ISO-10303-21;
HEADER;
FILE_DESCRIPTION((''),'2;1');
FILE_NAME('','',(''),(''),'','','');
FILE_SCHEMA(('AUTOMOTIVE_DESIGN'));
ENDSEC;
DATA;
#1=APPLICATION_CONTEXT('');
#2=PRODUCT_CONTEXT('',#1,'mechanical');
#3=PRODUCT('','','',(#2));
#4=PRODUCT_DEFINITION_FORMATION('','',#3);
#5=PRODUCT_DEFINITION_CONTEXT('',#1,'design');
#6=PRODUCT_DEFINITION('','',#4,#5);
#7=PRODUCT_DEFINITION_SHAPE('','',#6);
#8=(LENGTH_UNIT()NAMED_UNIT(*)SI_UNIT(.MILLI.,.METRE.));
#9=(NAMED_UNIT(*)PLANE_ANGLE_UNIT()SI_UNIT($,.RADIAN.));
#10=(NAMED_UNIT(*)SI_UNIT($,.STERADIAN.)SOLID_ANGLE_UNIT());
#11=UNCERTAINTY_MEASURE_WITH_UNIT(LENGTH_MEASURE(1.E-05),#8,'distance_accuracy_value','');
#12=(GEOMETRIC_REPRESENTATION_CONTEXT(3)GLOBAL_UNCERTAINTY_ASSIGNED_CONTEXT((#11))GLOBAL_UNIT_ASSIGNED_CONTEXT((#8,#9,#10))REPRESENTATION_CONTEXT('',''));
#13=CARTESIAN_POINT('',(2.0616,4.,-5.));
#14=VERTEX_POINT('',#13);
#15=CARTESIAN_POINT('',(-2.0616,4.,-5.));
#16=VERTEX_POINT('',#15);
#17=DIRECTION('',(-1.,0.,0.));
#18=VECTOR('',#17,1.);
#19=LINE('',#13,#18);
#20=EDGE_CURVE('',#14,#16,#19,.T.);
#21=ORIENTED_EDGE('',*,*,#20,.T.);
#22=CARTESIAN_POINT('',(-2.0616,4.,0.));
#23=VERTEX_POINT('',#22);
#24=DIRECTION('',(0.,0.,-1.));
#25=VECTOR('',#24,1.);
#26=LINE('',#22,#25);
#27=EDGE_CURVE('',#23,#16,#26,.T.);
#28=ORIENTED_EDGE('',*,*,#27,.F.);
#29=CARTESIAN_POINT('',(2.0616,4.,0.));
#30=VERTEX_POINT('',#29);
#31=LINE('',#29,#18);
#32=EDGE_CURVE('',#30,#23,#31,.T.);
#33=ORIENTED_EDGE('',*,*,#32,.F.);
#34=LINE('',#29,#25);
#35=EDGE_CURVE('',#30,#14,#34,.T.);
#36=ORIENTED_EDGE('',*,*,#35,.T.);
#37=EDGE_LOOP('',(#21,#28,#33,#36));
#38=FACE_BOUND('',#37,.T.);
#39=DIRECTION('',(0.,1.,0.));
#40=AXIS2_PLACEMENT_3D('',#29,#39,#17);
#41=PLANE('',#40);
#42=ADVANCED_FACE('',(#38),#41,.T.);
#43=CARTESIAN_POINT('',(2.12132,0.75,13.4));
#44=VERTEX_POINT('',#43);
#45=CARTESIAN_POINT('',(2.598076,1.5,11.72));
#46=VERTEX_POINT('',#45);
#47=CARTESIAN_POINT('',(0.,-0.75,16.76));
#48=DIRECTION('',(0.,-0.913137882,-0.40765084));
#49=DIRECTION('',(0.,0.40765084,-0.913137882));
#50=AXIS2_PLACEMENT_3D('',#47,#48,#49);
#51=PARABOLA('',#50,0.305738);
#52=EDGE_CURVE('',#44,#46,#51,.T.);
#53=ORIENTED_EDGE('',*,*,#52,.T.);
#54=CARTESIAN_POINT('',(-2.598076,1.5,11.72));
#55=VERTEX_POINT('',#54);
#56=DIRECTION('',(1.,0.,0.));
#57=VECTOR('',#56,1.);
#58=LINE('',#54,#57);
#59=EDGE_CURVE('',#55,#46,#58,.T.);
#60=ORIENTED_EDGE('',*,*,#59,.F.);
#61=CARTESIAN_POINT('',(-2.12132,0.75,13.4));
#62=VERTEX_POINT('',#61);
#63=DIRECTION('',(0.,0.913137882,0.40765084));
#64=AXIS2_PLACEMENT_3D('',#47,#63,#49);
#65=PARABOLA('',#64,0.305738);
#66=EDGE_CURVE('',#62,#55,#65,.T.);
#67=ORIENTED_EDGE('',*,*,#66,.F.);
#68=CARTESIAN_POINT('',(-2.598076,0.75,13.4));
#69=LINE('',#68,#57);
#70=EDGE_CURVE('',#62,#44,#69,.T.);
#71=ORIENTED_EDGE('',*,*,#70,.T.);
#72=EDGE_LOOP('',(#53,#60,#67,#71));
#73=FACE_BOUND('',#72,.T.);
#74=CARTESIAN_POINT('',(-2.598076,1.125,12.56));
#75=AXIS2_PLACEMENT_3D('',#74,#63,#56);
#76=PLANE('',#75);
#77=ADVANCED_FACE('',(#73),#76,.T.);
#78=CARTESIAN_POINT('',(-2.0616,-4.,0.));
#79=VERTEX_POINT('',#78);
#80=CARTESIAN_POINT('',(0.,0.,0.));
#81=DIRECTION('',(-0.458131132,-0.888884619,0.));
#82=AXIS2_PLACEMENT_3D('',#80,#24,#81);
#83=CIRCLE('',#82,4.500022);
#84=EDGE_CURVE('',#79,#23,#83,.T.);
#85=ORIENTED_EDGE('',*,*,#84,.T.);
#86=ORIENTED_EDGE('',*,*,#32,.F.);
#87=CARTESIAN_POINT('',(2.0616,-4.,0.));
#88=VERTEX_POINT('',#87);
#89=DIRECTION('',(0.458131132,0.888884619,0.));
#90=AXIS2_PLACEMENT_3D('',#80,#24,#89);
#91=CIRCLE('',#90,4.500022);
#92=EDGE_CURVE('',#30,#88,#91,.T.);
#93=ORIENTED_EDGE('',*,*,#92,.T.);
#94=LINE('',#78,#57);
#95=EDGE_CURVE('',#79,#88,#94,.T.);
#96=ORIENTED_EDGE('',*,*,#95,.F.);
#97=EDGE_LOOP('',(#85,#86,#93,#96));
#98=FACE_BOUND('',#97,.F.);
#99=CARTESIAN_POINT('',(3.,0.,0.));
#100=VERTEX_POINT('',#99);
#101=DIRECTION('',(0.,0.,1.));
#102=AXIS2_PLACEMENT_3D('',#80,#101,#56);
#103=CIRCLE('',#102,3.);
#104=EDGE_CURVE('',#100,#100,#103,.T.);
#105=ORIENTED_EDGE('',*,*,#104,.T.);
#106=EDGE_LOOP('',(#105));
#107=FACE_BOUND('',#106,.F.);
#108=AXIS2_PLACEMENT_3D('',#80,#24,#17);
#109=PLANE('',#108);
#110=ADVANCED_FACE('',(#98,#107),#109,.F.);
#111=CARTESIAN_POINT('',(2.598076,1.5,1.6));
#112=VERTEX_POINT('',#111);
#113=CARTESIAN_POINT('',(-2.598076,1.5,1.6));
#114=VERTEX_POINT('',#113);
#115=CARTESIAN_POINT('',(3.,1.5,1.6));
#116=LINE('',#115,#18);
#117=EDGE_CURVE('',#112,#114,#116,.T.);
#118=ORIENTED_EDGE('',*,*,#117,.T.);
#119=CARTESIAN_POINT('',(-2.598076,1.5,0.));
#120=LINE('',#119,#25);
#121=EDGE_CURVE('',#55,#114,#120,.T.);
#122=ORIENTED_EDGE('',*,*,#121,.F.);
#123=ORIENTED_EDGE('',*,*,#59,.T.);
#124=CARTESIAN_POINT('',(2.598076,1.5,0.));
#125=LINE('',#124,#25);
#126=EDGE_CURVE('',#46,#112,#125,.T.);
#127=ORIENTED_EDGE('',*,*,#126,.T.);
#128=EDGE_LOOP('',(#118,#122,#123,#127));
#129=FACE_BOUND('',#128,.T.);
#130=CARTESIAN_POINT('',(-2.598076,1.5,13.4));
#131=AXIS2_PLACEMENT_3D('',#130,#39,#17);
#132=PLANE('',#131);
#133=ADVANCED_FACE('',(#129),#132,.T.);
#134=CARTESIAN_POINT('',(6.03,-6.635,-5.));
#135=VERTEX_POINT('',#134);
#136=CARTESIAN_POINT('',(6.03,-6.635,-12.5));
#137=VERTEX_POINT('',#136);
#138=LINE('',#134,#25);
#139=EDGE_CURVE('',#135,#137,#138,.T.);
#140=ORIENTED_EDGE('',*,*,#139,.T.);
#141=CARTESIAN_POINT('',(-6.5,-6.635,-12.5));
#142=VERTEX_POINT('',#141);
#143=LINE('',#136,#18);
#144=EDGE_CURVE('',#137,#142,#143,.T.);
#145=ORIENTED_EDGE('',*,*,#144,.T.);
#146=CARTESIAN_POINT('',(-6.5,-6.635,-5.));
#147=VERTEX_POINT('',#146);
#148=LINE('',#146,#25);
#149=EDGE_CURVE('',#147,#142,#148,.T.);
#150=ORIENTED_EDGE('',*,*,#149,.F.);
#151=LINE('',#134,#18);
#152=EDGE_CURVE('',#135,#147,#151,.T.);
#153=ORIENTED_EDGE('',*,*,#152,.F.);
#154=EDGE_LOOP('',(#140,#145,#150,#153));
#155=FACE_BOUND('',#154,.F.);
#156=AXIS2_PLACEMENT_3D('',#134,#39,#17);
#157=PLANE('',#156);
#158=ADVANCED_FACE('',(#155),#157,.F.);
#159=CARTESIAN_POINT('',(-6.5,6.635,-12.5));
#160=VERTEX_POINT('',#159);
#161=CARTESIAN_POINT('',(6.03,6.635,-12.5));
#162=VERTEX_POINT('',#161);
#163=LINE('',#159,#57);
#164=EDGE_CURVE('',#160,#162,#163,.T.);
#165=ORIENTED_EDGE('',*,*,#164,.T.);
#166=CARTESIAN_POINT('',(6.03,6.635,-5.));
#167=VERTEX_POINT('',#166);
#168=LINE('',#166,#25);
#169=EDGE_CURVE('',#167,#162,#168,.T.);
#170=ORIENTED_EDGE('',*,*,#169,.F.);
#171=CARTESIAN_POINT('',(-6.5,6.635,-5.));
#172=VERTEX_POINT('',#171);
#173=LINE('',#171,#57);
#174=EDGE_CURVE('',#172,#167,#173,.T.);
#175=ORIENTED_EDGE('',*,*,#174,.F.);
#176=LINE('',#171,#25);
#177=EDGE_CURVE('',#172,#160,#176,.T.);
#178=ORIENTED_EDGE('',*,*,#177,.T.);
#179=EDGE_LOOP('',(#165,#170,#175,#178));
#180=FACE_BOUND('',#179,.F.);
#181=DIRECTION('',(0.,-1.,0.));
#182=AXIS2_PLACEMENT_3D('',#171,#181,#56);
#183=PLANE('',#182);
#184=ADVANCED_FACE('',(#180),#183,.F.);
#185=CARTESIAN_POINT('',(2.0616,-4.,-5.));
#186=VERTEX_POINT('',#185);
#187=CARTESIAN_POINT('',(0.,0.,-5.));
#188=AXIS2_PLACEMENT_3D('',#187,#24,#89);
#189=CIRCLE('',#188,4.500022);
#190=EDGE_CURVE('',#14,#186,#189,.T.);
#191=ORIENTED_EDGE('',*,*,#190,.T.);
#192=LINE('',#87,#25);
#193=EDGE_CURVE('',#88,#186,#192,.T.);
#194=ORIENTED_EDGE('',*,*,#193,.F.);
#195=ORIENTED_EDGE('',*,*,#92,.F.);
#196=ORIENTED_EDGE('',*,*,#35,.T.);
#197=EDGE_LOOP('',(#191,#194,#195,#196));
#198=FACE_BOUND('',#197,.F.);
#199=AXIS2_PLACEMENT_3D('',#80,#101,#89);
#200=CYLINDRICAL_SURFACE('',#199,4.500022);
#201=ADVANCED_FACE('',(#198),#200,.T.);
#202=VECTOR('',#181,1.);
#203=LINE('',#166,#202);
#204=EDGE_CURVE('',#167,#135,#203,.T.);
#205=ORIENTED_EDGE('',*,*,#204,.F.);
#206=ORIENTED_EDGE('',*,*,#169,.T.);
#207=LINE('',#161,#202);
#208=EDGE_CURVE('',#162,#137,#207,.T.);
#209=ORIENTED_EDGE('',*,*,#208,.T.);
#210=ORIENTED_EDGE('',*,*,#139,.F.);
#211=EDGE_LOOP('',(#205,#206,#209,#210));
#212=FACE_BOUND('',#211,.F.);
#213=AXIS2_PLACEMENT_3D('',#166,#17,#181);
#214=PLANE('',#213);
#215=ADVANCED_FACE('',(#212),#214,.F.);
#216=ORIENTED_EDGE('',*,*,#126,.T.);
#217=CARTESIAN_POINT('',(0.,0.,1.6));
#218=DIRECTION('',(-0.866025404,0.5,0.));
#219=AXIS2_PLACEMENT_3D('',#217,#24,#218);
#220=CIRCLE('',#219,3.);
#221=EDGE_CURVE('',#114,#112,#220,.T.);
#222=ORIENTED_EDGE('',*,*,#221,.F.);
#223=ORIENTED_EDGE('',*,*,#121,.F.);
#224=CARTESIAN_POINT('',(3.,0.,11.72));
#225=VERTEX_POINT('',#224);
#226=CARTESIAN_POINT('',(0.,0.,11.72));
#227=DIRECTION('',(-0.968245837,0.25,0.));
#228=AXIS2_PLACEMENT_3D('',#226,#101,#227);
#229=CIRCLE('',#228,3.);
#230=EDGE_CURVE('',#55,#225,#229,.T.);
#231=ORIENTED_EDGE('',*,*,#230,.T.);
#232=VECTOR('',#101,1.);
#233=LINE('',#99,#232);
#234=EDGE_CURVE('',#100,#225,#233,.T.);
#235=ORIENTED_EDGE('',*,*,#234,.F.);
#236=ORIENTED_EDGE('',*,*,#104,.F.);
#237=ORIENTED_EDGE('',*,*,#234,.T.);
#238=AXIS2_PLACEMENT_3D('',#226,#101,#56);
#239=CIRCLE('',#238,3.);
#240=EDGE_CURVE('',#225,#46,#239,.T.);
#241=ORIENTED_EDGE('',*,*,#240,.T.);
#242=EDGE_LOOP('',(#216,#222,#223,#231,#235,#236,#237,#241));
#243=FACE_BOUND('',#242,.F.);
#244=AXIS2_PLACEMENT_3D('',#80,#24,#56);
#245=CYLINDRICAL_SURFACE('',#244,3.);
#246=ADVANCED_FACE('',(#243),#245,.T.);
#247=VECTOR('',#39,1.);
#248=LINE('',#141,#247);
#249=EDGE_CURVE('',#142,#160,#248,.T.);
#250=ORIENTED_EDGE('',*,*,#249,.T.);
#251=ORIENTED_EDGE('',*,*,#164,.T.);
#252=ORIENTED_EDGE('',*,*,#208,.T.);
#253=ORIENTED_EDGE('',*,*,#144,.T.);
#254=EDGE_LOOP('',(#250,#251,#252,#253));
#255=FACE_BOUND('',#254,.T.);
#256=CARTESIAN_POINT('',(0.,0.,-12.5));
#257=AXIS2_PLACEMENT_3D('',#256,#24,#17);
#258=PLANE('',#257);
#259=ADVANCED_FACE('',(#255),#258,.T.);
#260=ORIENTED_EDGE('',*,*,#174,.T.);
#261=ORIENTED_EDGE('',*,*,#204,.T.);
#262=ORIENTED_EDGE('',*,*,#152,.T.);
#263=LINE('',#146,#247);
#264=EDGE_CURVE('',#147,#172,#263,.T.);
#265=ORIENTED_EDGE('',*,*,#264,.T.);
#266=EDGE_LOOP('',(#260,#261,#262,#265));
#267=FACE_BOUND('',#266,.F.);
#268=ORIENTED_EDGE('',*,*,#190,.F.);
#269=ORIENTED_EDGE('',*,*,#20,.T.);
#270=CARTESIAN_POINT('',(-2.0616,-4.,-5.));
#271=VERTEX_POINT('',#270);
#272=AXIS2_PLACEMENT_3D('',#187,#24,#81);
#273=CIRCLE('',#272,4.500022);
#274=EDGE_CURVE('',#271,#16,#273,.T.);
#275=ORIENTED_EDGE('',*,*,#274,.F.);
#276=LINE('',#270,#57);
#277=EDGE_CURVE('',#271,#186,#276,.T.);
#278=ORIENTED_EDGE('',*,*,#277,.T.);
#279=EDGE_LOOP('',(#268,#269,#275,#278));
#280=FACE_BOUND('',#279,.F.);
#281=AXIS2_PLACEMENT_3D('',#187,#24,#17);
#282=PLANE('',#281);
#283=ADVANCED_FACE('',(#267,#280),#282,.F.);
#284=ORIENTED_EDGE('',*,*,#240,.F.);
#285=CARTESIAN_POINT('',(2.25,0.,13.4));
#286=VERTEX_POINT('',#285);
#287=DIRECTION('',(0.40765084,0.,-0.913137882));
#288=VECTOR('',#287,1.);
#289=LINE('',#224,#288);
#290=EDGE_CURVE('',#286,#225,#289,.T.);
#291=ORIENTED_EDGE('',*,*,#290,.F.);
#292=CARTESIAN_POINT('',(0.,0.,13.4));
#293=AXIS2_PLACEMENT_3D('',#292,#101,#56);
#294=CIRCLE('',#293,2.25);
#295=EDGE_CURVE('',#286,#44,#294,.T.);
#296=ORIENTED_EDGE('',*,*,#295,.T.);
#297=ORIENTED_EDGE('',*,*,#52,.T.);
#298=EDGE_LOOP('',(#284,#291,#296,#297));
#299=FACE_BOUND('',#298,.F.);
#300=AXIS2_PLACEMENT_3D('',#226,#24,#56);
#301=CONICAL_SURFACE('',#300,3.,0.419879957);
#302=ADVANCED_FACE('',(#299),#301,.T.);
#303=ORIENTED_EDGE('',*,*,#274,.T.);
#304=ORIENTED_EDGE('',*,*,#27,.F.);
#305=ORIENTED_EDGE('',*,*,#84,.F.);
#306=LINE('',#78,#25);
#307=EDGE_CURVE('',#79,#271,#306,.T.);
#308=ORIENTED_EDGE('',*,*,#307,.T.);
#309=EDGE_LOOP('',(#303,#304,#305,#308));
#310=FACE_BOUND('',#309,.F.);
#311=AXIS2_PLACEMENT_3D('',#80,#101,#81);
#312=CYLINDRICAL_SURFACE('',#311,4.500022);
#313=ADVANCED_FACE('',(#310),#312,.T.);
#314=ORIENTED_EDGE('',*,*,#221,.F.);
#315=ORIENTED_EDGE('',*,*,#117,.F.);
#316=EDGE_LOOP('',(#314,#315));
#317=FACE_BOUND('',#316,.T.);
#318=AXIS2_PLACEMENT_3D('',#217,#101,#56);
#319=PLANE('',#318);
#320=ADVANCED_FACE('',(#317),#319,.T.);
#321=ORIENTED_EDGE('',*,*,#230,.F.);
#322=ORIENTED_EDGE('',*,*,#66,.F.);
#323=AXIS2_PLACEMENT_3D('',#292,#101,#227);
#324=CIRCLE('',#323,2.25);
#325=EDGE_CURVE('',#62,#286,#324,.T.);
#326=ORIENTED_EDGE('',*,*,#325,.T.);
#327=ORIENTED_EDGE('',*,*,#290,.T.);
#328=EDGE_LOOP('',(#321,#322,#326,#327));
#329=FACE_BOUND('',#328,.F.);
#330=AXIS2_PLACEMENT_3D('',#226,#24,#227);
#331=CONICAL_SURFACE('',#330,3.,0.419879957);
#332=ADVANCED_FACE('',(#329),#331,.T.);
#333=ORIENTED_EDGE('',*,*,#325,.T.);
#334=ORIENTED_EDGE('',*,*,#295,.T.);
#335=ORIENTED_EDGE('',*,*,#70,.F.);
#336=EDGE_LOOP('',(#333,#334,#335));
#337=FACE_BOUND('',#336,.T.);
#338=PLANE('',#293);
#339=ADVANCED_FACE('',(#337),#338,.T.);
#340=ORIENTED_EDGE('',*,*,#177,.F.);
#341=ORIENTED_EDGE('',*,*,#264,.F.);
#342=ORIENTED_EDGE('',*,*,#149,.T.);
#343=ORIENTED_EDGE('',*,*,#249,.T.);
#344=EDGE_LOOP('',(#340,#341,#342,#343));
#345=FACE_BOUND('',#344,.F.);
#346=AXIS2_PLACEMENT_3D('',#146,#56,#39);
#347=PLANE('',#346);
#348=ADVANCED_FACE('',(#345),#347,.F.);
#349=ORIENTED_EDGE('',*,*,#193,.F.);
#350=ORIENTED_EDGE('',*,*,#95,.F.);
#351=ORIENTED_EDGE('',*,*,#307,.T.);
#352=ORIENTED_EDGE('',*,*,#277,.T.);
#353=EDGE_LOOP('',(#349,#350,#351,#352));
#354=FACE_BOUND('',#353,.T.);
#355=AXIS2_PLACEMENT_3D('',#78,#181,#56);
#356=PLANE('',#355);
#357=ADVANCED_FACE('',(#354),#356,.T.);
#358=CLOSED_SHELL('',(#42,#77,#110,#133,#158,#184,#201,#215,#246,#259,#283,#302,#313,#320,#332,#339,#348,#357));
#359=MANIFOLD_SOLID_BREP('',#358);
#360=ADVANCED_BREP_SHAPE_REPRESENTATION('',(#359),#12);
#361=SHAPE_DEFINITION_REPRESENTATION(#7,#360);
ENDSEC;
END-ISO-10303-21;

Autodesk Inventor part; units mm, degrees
ref_plane "YZ Plane" through (0, 0, 0) normal (1, 0, 0) x (0, 1, 0)
ref_plane "XZ Plane" through (0, 0, 0) normal (0, 1, 0) x (-1, 0, 0)
ref_plane "XY Plane" through (0, 0, 0) normal (0, 0, 1) x (1, 0, 0)
sketch "Esquisse1" plane through (0, 0, 0) normal (0, 0, 1) x (1, 0, 0)
  circle A0 centre (0, 0) radius 3
  dimension "d0" = 6
extrude "Extrusion1" add sketch "Esquisse1" along normal blind 13.4
sketch "Esquisse2" plane through (0, 0, 13.4) normal (0, 0, 1) x (1, 0, 0)
  line L0 (-3, 3) -> (3, 3)
  line L1 (3, 3) -> (3, 1.5)
  line L2 (3, 1.5) -> (-3, 1.5)
  line L3 (-3, 1.5) -> (-3, 3)
  circle A0 centre (0, 0) radius 3 projected
  dimension "d3" = 1.5
extrude "Extrusion2" cut sketch "Esquisse2" against normal blind 11.8 contours L0 A0 L2 L3 | L0 L1 L2 A0 | A0 L2 picked at (-0.7431, 1.6691)
sketch "Esquisse4" plane through (0, 0, 0) normal (0, 0, -1) x (-1, 0, 0)
  line L0 (-2.0616, 4) -> (2.0616, 4)
  line L1 (2.0616, -4) -> (-2.0616, -4)
  line L2 (0, -6.3) -> (0, 6.3) construction
  line L3 (6.3, 0) -> (-6.3, 0) construction
  arc A0 (2.0616, -4) -> (2.0616, 4) centre (0, 0) ccw
  arc A1 (-2.0616, 4) -> (-2.0616, -4) centre (0, 0) ccw
  dimension "d12" = 8
  dimension "d40" = 4.5
extrude "Extrusion4" add sketch "Esquisse4" along normal blind 5
sketch "Esquisse5" plane through (0, 0, -5) normal (0, 0, -1) x (-1, 0, 0)
  line L0 (6.5, 6.635) -> (-6.03, 6.635)
  line L1 (-6.03, 6.635) -> (-6.03, -6.635)
  line L2 (-6.03, -6.635) -> (6.5, -6.635)
  line L3 (6.5, -6.635) -> (6.5, 6.635)
  line L4 (9.006, 0) -> (-8.536, 0) construction
  line L5 (0, -9.289) -> (0, 9.289) construction
  point P0 (0, 0)
  dimension "d24" = 12.53
  dimension "d25" = 6.5
  dimension "d26" = 13.27
extrude "Extrusion5" add sketch "Esquisse5" along normal blind 7.5
chamfer "Chanfrein1" distance 0.75 distance2 1.68 1 edges at (0, 1.5, 13.4) measured on face at (-0.5642, -0.3597, 13.4)
chamfer "Chanfrein2" distance 0.75 distance2 1.68 2 edges at (2.9761, 0.378, 13.4) (-0.378, -2.9761, 13.4) measured on face at (-0.5788, -0.7991, 13.4)
thread "Filetage5" size "M3x0.5" class "6g" standard "ISO M" full length
thread "Filetage6" size "M3x0.5" class "6g" standard "ISO M" full length
properties part number "Potentiomètre"
